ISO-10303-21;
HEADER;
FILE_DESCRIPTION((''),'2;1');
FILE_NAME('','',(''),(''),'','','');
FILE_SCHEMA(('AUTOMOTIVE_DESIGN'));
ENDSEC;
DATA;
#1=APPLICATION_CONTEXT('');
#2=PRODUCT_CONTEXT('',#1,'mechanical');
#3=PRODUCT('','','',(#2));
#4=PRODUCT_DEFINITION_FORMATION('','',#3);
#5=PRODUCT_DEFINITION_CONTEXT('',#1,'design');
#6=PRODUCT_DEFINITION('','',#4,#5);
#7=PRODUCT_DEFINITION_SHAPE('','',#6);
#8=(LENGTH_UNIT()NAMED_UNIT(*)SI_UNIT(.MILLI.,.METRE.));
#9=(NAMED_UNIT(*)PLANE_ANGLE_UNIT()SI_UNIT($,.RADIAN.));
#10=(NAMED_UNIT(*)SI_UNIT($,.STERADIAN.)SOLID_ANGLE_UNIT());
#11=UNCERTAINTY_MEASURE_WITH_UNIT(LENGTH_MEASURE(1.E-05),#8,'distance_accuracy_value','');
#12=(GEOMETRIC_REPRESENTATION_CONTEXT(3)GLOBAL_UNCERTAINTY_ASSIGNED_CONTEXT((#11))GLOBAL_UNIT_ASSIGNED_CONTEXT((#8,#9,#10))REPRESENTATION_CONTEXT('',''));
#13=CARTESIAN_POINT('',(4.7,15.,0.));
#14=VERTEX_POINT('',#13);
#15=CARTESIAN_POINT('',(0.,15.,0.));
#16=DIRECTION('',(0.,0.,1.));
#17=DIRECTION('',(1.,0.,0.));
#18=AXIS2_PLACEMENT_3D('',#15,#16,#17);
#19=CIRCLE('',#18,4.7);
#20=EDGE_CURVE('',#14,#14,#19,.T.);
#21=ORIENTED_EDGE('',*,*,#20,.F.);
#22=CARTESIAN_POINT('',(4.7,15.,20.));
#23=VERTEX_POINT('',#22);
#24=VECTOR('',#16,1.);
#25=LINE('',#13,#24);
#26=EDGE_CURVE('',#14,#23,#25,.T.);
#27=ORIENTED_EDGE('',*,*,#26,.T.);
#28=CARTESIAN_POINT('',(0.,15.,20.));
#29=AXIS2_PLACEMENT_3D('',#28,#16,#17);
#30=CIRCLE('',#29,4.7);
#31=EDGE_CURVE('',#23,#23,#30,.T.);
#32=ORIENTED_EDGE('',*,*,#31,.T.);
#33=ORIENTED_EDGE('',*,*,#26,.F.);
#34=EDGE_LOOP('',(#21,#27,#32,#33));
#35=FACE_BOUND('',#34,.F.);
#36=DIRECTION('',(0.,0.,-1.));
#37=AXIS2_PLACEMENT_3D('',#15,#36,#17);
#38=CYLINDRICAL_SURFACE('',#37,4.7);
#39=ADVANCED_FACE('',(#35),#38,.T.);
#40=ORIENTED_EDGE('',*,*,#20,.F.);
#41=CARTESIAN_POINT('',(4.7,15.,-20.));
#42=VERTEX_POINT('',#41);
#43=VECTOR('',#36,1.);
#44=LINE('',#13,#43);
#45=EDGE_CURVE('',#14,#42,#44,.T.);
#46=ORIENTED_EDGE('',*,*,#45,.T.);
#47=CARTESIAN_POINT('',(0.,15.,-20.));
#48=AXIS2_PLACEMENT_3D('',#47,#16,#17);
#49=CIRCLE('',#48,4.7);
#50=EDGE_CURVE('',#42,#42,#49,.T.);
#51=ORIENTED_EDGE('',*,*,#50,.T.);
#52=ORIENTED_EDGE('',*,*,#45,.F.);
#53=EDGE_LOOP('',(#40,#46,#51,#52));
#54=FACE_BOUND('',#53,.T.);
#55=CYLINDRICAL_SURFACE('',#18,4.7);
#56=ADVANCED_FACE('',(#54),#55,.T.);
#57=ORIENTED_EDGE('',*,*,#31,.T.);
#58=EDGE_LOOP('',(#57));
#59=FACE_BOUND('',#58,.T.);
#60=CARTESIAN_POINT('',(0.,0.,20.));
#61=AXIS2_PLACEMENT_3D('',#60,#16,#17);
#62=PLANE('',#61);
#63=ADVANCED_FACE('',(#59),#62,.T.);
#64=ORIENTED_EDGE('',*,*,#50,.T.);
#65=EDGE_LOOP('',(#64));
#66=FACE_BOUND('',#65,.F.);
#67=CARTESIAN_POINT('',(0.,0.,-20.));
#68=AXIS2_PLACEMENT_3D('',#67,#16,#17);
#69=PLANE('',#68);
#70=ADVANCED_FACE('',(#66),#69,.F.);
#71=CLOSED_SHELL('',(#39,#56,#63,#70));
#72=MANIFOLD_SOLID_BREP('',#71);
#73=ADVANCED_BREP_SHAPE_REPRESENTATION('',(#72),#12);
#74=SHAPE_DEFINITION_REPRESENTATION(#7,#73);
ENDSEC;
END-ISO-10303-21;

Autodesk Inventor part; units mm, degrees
ref_plane "YZ Plane" through (0, 0, 0) normal (1, 0, 0) x (0, 1, 0)
ref_plane "XZ Plane" through (0, 0, 0) normal (0, 1, 0) x (-1, 0, 0)
ref_plane "XY Plane" through (0, 0, 0) normal (0, 0, 1) x (1, 0, 0)
ref_plane "作業平面1" through (0, 0, 0) normal (0, 0, 1) x (1, 0, 0)
sketch "スケッチ2" plane through (0, 0, 0) normal (0, 0, 1) x (1, 0, 0)
  circle A0 centre (0, 15) radius 5 projected
  circle A1 centre (0, 15) radius 4.7
  point P0 (0, 0)
  dimension "d3" = 0.3
extrude "押し出し2" add sketch "スケッチ2" along normal mid plane 40 contours A1
properties part number "ear"
